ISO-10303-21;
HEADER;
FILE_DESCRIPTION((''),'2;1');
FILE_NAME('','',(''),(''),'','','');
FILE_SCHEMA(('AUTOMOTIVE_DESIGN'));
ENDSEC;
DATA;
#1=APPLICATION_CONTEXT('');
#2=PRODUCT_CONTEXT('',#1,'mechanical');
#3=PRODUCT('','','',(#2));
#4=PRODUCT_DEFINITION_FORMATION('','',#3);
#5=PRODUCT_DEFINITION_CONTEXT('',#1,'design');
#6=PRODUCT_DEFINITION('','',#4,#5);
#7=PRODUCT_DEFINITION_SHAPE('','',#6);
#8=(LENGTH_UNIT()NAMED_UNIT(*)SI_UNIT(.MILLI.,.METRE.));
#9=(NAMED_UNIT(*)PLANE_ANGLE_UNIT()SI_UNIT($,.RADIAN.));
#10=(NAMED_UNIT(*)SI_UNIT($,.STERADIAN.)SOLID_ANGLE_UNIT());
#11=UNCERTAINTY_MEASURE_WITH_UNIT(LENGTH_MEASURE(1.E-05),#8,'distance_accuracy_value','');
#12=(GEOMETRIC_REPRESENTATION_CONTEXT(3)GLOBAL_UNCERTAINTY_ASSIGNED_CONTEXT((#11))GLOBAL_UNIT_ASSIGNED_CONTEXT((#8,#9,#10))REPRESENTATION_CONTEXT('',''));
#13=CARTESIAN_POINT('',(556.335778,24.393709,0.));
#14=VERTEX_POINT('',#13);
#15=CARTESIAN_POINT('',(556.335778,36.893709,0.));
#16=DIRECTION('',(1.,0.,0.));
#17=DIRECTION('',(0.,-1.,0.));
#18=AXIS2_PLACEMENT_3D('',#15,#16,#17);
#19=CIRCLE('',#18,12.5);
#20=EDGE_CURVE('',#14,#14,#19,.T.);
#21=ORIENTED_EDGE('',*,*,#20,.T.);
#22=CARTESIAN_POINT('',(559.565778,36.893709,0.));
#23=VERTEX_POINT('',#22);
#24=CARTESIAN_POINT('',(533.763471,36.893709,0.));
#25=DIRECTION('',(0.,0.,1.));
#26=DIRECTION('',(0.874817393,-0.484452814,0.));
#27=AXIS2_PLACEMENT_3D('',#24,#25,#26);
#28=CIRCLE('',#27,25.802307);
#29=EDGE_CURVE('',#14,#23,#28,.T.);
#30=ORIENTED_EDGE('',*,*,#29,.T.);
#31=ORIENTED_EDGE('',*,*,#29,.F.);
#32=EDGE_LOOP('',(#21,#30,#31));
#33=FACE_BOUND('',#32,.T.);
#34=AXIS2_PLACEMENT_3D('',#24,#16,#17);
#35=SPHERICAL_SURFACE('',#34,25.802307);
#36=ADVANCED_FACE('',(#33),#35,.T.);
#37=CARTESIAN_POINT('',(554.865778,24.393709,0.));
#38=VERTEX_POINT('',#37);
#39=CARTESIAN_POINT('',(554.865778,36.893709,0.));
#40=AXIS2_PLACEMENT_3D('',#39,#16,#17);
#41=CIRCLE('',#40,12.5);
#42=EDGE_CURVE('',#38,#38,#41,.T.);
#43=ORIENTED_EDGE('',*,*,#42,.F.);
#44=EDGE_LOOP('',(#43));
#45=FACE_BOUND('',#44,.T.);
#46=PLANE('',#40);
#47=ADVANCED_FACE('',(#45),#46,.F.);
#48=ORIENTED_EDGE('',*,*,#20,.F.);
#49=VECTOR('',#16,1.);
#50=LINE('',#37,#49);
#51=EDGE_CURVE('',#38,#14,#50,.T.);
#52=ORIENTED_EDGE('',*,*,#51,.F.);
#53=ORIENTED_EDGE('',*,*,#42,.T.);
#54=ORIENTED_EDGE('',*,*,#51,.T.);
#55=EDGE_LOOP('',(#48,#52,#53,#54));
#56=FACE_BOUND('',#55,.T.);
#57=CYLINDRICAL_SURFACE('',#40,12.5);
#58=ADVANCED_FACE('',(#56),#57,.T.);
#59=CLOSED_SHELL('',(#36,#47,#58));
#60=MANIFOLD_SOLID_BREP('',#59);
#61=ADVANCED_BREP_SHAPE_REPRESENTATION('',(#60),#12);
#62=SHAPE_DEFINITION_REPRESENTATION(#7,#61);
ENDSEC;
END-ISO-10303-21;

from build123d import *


with BuildPart() as part:
    # 草图1 → 旋转1 (revolve)
    with BuildSketch(Plane.XY, mode=Mode.PRIVATE) as revolve_1_sk:
        with BuildLine():
            Line((554.865777541, 36.893709081), (554.865777541, 49.393709081))
            Line((554.865777541, 49.393709081), (556.335777541, 49.393709081))
            ThreePointArc((556.335777541, 49.393709081), (558.745230301, 43.348995674), (559.565777541, 36.893709081))
            Line((559.565777541, 36.893709081), (554.865777541, 36.893709081))
        make_face()
    revolve(revolve_1_sk.sketch.rotate(Axis((552.500161639, 36.893709081, 0), (1, 0, 0)), 180), axis=Axis((552.500161639, 36.893709081, 0), (1, 0, 0)))  # turned: the seam where the file's is


solid = part.part
